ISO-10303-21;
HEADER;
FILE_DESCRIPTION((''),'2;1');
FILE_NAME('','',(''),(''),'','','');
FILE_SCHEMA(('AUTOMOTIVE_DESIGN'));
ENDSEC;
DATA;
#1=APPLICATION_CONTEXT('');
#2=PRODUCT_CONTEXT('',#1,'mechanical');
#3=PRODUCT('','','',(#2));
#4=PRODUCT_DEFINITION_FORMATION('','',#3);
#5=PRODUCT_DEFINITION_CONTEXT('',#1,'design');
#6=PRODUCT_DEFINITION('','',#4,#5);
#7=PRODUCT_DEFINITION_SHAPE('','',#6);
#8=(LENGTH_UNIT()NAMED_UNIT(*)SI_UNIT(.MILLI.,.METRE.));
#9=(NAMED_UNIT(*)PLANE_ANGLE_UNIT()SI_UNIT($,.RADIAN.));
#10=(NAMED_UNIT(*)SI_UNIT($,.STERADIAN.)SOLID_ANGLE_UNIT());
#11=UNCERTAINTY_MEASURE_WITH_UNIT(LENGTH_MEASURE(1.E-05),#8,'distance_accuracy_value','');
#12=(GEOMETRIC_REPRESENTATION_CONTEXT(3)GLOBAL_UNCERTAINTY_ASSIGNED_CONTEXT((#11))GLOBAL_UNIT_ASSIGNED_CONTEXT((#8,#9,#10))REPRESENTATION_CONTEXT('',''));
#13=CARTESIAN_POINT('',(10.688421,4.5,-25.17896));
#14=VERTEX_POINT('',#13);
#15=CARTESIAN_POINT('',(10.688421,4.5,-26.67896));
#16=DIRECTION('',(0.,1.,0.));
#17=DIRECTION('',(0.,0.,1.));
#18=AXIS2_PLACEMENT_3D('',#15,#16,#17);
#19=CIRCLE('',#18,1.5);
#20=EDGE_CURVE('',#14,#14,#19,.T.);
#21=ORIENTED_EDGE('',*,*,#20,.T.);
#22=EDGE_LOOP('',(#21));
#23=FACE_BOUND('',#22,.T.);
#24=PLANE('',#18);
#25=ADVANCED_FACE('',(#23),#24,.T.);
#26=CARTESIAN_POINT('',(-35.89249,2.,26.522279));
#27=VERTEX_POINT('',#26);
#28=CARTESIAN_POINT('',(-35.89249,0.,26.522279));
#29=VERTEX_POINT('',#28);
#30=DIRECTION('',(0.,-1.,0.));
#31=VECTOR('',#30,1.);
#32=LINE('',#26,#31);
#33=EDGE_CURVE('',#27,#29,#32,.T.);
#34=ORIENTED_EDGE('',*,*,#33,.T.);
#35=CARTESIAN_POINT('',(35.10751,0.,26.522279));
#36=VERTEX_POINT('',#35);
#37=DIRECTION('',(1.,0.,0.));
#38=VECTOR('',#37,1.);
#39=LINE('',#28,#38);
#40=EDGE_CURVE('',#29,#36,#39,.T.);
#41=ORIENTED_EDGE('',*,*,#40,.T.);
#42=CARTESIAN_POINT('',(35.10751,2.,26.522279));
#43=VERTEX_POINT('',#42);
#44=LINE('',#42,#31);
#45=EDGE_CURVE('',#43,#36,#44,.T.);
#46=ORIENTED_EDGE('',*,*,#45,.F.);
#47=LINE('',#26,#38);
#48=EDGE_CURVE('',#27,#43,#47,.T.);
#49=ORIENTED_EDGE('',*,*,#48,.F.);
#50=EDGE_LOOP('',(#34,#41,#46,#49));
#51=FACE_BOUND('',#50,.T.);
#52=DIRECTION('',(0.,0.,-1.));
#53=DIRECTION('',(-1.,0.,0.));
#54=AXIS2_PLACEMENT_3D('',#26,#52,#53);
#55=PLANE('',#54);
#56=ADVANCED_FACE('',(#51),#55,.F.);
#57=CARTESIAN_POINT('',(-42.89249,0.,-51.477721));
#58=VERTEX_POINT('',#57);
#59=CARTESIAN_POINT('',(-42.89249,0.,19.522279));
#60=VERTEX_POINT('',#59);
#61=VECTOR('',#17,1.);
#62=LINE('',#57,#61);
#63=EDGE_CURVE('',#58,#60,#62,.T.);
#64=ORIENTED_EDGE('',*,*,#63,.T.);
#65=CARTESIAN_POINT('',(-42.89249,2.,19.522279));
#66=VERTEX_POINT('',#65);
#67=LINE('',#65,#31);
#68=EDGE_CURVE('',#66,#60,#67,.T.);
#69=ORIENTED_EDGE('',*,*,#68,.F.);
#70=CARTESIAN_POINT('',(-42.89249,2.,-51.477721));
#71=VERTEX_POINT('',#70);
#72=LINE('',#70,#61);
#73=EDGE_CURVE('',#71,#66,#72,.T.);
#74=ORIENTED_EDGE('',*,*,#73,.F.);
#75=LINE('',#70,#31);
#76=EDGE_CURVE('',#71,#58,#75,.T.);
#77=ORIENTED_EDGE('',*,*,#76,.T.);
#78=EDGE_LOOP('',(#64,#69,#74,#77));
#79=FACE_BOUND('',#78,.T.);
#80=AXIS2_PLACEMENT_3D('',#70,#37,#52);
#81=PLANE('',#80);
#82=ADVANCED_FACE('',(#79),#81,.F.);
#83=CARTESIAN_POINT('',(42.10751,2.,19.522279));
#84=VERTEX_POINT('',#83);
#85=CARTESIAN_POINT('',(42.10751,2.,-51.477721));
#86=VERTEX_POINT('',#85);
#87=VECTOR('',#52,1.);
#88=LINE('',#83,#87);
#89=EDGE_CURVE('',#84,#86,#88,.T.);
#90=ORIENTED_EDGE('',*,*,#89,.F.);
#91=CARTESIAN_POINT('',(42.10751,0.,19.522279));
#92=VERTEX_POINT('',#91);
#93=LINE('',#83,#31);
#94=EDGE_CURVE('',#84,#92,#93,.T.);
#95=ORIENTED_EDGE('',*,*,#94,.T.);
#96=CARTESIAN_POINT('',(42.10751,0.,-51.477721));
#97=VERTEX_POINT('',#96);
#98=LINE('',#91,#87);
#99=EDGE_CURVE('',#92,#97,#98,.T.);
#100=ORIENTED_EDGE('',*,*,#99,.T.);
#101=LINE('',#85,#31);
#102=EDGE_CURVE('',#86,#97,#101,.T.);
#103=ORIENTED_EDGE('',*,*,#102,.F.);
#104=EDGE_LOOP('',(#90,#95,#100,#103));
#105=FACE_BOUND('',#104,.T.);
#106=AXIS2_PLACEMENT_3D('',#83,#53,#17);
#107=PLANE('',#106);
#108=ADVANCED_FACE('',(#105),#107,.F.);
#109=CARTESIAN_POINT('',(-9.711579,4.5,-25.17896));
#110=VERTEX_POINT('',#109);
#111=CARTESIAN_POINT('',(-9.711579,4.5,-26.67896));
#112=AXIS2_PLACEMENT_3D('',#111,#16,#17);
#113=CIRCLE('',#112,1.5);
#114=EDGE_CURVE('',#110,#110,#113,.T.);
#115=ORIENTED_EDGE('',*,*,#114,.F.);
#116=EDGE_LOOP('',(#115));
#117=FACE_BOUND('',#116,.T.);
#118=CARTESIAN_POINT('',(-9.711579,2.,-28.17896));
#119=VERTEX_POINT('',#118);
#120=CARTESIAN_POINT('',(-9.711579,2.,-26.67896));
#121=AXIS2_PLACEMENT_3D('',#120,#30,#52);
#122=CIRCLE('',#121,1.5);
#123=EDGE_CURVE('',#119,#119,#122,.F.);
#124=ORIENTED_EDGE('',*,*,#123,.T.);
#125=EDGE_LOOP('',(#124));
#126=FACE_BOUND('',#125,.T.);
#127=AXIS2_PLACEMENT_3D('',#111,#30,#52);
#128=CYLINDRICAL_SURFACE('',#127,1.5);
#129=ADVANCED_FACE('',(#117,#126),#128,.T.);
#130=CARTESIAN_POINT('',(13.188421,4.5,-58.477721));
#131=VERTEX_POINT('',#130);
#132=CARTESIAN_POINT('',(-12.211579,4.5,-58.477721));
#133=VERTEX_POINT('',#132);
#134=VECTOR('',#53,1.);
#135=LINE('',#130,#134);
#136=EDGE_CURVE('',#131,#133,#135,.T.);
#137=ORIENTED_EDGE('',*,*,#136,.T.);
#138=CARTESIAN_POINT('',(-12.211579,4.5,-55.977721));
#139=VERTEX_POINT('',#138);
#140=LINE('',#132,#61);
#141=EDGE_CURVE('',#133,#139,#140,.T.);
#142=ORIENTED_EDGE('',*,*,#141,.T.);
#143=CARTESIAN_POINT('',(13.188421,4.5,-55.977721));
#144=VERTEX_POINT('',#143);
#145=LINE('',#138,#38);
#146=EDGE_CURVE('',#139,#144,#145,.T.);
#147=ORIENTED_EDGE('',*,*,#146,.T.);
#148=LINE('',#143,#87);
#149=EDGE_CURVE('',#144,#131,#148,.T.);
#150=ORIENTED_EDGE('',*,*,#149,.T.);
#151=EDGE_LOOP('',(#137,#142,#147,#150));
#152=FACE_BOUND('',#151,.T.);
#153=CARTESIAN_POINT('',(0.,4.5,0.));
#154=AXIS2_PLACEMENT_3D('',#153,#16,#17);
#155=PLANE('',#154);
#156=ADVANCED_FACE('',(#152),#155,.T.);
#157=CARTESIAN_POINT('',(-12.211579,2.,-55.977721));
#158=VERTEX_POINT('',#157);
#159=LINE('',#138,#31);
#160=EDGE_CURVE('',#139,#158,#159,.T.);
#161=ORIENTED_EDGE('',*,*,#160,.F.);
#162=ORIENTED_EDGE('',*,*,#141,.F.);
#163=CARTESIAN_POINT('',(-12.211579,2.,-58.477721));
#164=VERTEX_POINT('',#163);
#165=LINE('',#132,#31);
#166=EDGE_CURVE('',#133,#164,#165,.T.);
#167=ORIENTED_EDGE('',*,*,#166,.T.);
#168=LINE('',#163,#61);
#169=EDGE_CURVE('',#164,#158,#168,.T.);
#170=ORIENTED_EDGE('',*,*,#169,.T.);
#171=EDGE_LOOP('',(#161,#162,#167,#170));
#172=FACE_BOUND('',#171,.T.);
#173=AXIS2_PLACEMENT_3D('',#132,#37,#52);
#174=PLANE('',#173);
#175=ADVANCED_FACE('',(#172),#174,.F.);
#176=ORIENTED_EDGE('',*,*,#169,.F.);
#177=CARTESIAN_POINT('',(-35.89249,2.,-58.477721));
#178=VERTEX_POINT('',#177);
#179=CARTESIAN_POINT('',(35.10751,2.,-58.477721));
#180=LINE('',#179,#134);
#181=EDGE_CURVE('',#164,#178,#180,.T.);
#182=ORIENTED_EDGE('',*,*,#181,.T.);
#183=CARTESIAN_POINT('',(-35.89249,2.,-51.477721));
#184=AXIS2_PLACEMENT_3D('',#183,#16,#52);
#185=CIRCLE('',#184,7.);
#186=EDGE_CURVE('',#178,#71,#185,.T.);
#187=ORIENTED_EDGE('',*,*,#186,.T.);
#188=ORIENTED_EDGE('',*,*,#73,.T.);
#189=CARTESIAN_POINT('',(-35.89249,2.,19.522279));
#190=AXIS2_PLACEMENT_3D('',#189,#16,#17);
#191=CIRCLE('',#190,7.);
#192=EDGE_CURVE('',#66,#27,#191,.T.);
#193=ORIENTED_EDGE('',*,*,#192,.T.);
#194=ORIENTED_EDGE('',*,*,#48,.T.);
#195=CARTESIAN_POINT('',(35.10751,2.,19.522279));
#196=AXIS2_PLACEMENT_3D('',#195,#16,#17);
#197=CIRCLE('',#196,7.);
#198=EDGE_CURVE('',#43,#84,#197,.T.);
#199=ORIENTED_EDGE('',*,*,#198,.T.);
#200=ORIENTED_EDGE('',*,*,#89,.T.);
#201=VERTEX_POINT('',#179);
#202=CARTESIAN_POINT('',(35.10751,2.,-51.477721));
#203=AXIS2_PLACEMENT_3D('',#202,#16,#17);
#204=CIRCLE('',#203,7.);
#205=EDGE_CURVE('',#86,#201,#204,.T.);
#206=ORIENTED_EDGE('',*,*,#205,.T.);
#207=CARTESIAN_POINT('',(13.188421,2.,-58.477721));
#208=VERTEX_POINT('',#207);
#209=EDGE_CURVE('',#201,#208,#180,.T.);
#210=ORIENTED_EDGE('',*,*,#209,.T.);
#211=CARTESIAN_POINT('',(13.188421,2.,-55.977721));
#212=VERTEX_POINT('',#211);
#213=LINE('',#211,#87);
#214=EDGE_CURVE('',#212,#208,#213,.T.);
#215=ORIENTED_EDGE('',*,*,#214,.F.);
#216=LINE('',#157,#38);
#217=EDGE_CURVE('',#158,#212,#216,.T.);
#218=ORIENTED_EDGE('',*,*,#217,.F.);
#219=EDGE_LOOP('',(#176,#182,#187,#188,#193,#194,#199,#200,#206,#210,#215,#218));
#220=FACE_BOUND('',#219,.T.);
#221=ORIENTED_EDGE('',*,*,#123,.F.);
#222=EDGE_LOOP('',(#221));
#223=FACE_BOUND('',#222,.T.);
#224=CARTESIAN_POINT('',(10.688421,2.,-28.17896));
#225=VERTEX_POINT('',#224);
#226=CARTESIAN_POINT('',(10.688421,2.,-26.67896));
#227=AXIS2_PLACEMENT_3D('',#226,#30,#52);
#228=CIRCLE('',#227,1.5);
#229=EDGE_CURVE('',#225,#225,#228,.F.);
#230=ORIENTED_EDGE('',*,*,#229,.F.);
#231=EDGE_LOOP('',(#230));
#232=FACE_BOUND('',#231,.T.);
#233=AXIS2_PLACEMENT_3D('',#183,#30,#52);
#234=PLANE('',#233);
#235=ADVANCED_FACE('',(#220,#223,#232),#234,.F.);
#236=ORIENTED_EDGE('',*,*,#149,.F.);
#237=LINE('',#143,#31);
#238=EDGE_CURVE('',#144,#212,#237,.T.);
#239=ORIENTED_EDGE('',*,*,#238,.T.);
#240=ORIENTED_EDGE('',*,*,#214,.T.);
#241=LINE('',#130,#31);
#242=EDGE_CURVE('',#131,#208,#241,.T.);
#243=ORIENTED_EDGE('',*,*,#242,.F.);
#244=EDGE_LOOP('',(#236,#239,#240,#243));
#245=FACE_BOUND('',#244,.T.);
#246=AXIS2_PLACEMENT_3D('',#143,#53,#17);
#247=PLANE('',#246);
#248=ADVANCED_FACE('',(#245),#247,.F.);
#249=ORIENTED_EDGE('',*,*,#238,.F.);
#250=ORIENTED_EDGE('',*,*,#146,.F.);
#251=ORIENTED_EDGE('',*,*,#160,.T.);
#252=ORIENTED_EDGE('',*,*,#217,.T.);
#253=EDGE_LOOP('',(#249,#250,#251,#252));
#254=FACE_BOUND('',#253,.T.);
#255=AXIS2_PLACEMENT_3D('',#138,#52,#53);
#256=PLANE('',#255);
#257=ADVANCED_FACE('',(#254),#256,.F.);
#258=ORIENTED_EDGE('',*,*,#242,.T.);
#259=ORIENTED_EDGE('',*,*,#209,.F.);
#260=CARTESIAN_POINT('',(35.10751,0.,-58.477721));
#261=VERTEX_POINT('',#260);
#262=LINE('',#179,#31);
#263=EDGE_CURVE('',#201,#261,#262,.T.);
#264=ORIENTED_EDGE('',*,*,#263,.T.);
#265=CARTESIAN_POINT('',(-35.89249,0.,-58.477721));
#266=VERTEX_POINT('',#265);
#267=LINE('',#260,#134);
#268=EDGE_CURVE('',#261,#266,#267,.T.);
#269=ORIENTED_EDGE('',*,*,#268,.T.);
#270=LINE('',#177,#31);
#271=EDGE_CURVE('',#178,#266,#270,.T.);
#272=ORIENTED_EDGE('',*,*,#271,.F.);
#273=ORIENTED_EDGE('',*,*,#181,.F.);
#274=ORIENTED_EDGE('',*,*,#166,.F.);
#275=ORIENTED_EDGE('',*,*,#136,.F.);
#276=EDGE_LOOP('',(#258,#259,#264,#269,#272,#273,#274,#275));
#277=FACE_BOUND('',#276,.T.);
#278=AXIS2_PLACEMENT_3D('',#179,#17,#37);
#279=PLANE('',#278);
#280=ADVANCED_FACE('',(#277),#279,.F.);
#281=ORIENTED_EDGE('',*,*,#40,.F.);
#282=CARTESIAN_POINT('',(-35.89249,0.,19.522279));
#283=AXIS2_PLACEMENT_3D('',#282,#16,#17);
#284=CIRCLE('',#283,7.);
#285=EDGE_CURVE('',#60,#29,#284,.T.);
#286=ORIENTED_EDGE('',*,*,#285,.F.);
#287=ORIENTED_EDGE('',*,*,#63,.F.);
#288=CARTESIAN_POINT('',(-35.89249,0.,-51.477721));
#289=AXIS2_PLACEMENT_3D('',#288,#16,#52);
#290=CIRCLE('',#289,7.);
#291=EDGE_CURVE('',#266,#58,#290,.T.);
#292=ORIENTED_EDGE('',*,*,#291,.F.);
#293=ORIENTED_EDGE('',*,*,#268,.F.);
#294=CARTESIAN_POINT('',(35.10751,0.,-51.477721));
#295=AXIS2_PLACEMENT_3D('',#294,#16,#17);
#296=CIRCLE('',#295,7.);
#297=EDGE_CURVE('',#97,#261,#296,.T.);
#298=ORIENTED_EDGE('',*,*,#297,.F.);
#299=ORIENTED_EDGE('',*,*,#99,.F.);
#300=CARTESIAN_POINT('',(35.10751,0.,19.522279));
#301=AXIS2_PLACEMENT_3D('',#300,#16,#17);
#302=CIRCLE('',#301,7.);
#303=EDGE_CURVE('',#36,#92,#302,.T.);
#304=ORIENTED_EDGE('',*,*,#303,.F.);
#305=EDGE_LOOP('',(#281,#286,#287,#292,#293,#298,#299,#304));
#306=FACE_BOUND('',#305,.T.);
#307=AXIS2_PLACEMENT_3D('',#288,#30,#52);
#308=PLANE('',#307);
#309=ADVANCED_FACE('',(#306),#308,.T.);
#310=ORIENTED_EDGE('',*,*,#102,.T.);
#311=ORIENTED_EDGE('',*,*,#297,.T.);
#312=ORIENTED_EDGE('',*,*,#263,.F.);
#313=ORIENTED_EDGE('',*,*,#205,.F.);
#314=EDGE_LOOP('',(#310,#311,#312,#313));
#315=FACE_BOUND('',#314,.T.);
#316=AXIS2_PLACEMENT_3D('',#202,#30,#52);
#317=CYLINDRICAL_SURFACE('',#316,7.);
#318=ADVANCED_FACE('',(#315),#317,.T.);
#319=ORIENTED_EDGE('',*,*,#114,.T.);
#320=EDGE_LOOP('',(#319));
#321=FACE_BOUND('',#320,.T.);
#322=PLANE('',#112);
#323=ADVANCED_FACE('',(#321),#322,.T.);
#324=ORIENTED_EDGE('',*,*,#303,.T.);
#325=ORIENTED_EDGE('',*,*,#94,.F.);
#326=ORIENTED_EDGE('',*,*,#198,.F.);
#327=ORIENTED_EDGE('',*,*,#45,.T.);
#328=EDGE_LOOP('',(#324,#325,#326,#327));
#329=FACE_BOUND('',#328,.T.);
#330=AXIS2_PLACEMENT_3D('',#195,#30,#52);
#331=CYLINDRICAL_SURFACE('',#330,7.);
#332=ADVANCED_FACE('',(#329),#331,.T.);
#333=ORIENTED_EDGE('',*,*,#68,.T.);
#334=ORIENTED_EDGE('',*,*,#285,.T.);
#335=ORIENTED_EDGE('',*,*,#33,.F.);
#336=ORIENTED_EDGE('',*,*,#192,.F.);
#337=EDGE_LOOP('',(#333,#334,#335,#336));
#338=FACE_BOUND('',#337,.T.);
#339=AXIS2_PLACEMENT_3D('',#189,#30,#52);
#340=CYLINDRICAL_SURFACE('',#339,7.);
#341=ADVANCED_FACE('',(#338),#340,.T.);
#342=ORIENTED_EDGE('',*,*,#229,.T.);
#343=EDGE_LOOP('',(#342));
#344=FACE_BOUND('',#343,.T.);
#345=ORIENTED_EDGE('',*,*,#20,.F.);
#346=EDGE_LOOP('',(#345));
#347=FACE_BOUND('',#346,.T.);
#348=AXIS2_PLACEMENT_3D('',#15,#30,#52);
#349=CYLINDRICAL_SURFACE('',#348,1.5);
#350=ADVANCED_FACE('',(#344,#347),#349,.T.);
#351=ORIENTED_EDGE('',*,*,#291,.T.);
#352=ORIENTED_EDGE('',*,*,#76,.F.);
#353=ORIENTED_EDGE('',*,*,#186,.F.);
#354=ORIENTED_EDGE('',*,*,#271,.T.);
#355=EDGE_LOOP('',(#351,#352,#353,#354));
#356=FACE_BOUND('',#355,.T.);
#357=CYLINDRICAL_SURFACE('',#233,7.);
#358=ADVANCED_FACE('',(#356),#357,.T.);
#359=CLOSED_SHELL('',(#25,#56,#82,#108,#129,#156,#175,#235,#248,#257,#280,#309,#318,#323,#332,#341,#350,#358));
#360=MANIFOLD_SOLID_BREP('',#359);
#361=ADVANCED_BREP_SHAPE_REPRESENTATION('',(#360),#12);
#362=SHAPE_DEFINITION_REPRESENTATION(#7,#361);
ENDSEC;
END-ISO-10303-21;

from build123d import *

# Parameters (mm, degrees)
BOSS_EXTRUDE1_DEPTH = 2
SKETCH2_R           = 1.5
SKETCH2_W           = 25.4
SKETCH2_H           = 2.5
BOSS_EXTRUDE2_DEPTH = 2.5


with BuildPart() as part:
    # Sketch1 → Boss-Extrude1 (new body)
    with BuildSketch(Plane(origin=(0, 0, 0), x_dir=(1, 0, 0), z_dir=(0, 1, 0))):
        with BuildLine():
            Line((-35.892490242, -26.522279469), (35.107509758, -26.522279469))
            ThreePointArc((35.107509758, -26.522279469), (40.057257226, -24.472026937), (42.107509758, -19.522279469))
            Line((42.107509758, -19.522279469), (42.107509758, 51.477720531))
            ThreePointArc((42.107509758, 51.477720531), (40.057257226, 56.427467999), (35.107509758, 58.477720531))
            Line((35.107509758, 58.477720531), (-35.892490242, 58.477720531))
            ThreePointArc((-35.892490242, 58.477720531), (-40.84223771, 56.427467999), (-42.892490242, 51.477720531))
            Line((-42.892490242, 51.477720531), (-42.892490242, -19.522279469))
            ThreePointArc((-42.892490242, -19.522279469), (-40.84223771, -24.472026937), (-35.892490242, -26.522279469))
        make_face()
    extrude(amount=BOSS_EXTRUDE1_DEPTH)

    # Sketch2 → Boss-Extrude2 (add)
    with BuildSketch(Plane(origin=(0, 2, 0), x_dir=(1, 0, 0), z_dir=(0, 1, 0))):
        with Locations(Location((-9.711578579, 26.678960322, 0), (0, 0, 90))):
            Circle(SKETCH2_R)
        with Locations(Location((10.688421421, 26.678960322, 0), (0, 0, 90))):
            Circle(SKETCH2_R)
        with Locations((0.488421421, 57.227720531)):
            Rectangle(SKETCH2_W, SKETCH2_H)
    extrude(amount=BOSS_EXTRUDE2_DEPTH)


solid = part.part
